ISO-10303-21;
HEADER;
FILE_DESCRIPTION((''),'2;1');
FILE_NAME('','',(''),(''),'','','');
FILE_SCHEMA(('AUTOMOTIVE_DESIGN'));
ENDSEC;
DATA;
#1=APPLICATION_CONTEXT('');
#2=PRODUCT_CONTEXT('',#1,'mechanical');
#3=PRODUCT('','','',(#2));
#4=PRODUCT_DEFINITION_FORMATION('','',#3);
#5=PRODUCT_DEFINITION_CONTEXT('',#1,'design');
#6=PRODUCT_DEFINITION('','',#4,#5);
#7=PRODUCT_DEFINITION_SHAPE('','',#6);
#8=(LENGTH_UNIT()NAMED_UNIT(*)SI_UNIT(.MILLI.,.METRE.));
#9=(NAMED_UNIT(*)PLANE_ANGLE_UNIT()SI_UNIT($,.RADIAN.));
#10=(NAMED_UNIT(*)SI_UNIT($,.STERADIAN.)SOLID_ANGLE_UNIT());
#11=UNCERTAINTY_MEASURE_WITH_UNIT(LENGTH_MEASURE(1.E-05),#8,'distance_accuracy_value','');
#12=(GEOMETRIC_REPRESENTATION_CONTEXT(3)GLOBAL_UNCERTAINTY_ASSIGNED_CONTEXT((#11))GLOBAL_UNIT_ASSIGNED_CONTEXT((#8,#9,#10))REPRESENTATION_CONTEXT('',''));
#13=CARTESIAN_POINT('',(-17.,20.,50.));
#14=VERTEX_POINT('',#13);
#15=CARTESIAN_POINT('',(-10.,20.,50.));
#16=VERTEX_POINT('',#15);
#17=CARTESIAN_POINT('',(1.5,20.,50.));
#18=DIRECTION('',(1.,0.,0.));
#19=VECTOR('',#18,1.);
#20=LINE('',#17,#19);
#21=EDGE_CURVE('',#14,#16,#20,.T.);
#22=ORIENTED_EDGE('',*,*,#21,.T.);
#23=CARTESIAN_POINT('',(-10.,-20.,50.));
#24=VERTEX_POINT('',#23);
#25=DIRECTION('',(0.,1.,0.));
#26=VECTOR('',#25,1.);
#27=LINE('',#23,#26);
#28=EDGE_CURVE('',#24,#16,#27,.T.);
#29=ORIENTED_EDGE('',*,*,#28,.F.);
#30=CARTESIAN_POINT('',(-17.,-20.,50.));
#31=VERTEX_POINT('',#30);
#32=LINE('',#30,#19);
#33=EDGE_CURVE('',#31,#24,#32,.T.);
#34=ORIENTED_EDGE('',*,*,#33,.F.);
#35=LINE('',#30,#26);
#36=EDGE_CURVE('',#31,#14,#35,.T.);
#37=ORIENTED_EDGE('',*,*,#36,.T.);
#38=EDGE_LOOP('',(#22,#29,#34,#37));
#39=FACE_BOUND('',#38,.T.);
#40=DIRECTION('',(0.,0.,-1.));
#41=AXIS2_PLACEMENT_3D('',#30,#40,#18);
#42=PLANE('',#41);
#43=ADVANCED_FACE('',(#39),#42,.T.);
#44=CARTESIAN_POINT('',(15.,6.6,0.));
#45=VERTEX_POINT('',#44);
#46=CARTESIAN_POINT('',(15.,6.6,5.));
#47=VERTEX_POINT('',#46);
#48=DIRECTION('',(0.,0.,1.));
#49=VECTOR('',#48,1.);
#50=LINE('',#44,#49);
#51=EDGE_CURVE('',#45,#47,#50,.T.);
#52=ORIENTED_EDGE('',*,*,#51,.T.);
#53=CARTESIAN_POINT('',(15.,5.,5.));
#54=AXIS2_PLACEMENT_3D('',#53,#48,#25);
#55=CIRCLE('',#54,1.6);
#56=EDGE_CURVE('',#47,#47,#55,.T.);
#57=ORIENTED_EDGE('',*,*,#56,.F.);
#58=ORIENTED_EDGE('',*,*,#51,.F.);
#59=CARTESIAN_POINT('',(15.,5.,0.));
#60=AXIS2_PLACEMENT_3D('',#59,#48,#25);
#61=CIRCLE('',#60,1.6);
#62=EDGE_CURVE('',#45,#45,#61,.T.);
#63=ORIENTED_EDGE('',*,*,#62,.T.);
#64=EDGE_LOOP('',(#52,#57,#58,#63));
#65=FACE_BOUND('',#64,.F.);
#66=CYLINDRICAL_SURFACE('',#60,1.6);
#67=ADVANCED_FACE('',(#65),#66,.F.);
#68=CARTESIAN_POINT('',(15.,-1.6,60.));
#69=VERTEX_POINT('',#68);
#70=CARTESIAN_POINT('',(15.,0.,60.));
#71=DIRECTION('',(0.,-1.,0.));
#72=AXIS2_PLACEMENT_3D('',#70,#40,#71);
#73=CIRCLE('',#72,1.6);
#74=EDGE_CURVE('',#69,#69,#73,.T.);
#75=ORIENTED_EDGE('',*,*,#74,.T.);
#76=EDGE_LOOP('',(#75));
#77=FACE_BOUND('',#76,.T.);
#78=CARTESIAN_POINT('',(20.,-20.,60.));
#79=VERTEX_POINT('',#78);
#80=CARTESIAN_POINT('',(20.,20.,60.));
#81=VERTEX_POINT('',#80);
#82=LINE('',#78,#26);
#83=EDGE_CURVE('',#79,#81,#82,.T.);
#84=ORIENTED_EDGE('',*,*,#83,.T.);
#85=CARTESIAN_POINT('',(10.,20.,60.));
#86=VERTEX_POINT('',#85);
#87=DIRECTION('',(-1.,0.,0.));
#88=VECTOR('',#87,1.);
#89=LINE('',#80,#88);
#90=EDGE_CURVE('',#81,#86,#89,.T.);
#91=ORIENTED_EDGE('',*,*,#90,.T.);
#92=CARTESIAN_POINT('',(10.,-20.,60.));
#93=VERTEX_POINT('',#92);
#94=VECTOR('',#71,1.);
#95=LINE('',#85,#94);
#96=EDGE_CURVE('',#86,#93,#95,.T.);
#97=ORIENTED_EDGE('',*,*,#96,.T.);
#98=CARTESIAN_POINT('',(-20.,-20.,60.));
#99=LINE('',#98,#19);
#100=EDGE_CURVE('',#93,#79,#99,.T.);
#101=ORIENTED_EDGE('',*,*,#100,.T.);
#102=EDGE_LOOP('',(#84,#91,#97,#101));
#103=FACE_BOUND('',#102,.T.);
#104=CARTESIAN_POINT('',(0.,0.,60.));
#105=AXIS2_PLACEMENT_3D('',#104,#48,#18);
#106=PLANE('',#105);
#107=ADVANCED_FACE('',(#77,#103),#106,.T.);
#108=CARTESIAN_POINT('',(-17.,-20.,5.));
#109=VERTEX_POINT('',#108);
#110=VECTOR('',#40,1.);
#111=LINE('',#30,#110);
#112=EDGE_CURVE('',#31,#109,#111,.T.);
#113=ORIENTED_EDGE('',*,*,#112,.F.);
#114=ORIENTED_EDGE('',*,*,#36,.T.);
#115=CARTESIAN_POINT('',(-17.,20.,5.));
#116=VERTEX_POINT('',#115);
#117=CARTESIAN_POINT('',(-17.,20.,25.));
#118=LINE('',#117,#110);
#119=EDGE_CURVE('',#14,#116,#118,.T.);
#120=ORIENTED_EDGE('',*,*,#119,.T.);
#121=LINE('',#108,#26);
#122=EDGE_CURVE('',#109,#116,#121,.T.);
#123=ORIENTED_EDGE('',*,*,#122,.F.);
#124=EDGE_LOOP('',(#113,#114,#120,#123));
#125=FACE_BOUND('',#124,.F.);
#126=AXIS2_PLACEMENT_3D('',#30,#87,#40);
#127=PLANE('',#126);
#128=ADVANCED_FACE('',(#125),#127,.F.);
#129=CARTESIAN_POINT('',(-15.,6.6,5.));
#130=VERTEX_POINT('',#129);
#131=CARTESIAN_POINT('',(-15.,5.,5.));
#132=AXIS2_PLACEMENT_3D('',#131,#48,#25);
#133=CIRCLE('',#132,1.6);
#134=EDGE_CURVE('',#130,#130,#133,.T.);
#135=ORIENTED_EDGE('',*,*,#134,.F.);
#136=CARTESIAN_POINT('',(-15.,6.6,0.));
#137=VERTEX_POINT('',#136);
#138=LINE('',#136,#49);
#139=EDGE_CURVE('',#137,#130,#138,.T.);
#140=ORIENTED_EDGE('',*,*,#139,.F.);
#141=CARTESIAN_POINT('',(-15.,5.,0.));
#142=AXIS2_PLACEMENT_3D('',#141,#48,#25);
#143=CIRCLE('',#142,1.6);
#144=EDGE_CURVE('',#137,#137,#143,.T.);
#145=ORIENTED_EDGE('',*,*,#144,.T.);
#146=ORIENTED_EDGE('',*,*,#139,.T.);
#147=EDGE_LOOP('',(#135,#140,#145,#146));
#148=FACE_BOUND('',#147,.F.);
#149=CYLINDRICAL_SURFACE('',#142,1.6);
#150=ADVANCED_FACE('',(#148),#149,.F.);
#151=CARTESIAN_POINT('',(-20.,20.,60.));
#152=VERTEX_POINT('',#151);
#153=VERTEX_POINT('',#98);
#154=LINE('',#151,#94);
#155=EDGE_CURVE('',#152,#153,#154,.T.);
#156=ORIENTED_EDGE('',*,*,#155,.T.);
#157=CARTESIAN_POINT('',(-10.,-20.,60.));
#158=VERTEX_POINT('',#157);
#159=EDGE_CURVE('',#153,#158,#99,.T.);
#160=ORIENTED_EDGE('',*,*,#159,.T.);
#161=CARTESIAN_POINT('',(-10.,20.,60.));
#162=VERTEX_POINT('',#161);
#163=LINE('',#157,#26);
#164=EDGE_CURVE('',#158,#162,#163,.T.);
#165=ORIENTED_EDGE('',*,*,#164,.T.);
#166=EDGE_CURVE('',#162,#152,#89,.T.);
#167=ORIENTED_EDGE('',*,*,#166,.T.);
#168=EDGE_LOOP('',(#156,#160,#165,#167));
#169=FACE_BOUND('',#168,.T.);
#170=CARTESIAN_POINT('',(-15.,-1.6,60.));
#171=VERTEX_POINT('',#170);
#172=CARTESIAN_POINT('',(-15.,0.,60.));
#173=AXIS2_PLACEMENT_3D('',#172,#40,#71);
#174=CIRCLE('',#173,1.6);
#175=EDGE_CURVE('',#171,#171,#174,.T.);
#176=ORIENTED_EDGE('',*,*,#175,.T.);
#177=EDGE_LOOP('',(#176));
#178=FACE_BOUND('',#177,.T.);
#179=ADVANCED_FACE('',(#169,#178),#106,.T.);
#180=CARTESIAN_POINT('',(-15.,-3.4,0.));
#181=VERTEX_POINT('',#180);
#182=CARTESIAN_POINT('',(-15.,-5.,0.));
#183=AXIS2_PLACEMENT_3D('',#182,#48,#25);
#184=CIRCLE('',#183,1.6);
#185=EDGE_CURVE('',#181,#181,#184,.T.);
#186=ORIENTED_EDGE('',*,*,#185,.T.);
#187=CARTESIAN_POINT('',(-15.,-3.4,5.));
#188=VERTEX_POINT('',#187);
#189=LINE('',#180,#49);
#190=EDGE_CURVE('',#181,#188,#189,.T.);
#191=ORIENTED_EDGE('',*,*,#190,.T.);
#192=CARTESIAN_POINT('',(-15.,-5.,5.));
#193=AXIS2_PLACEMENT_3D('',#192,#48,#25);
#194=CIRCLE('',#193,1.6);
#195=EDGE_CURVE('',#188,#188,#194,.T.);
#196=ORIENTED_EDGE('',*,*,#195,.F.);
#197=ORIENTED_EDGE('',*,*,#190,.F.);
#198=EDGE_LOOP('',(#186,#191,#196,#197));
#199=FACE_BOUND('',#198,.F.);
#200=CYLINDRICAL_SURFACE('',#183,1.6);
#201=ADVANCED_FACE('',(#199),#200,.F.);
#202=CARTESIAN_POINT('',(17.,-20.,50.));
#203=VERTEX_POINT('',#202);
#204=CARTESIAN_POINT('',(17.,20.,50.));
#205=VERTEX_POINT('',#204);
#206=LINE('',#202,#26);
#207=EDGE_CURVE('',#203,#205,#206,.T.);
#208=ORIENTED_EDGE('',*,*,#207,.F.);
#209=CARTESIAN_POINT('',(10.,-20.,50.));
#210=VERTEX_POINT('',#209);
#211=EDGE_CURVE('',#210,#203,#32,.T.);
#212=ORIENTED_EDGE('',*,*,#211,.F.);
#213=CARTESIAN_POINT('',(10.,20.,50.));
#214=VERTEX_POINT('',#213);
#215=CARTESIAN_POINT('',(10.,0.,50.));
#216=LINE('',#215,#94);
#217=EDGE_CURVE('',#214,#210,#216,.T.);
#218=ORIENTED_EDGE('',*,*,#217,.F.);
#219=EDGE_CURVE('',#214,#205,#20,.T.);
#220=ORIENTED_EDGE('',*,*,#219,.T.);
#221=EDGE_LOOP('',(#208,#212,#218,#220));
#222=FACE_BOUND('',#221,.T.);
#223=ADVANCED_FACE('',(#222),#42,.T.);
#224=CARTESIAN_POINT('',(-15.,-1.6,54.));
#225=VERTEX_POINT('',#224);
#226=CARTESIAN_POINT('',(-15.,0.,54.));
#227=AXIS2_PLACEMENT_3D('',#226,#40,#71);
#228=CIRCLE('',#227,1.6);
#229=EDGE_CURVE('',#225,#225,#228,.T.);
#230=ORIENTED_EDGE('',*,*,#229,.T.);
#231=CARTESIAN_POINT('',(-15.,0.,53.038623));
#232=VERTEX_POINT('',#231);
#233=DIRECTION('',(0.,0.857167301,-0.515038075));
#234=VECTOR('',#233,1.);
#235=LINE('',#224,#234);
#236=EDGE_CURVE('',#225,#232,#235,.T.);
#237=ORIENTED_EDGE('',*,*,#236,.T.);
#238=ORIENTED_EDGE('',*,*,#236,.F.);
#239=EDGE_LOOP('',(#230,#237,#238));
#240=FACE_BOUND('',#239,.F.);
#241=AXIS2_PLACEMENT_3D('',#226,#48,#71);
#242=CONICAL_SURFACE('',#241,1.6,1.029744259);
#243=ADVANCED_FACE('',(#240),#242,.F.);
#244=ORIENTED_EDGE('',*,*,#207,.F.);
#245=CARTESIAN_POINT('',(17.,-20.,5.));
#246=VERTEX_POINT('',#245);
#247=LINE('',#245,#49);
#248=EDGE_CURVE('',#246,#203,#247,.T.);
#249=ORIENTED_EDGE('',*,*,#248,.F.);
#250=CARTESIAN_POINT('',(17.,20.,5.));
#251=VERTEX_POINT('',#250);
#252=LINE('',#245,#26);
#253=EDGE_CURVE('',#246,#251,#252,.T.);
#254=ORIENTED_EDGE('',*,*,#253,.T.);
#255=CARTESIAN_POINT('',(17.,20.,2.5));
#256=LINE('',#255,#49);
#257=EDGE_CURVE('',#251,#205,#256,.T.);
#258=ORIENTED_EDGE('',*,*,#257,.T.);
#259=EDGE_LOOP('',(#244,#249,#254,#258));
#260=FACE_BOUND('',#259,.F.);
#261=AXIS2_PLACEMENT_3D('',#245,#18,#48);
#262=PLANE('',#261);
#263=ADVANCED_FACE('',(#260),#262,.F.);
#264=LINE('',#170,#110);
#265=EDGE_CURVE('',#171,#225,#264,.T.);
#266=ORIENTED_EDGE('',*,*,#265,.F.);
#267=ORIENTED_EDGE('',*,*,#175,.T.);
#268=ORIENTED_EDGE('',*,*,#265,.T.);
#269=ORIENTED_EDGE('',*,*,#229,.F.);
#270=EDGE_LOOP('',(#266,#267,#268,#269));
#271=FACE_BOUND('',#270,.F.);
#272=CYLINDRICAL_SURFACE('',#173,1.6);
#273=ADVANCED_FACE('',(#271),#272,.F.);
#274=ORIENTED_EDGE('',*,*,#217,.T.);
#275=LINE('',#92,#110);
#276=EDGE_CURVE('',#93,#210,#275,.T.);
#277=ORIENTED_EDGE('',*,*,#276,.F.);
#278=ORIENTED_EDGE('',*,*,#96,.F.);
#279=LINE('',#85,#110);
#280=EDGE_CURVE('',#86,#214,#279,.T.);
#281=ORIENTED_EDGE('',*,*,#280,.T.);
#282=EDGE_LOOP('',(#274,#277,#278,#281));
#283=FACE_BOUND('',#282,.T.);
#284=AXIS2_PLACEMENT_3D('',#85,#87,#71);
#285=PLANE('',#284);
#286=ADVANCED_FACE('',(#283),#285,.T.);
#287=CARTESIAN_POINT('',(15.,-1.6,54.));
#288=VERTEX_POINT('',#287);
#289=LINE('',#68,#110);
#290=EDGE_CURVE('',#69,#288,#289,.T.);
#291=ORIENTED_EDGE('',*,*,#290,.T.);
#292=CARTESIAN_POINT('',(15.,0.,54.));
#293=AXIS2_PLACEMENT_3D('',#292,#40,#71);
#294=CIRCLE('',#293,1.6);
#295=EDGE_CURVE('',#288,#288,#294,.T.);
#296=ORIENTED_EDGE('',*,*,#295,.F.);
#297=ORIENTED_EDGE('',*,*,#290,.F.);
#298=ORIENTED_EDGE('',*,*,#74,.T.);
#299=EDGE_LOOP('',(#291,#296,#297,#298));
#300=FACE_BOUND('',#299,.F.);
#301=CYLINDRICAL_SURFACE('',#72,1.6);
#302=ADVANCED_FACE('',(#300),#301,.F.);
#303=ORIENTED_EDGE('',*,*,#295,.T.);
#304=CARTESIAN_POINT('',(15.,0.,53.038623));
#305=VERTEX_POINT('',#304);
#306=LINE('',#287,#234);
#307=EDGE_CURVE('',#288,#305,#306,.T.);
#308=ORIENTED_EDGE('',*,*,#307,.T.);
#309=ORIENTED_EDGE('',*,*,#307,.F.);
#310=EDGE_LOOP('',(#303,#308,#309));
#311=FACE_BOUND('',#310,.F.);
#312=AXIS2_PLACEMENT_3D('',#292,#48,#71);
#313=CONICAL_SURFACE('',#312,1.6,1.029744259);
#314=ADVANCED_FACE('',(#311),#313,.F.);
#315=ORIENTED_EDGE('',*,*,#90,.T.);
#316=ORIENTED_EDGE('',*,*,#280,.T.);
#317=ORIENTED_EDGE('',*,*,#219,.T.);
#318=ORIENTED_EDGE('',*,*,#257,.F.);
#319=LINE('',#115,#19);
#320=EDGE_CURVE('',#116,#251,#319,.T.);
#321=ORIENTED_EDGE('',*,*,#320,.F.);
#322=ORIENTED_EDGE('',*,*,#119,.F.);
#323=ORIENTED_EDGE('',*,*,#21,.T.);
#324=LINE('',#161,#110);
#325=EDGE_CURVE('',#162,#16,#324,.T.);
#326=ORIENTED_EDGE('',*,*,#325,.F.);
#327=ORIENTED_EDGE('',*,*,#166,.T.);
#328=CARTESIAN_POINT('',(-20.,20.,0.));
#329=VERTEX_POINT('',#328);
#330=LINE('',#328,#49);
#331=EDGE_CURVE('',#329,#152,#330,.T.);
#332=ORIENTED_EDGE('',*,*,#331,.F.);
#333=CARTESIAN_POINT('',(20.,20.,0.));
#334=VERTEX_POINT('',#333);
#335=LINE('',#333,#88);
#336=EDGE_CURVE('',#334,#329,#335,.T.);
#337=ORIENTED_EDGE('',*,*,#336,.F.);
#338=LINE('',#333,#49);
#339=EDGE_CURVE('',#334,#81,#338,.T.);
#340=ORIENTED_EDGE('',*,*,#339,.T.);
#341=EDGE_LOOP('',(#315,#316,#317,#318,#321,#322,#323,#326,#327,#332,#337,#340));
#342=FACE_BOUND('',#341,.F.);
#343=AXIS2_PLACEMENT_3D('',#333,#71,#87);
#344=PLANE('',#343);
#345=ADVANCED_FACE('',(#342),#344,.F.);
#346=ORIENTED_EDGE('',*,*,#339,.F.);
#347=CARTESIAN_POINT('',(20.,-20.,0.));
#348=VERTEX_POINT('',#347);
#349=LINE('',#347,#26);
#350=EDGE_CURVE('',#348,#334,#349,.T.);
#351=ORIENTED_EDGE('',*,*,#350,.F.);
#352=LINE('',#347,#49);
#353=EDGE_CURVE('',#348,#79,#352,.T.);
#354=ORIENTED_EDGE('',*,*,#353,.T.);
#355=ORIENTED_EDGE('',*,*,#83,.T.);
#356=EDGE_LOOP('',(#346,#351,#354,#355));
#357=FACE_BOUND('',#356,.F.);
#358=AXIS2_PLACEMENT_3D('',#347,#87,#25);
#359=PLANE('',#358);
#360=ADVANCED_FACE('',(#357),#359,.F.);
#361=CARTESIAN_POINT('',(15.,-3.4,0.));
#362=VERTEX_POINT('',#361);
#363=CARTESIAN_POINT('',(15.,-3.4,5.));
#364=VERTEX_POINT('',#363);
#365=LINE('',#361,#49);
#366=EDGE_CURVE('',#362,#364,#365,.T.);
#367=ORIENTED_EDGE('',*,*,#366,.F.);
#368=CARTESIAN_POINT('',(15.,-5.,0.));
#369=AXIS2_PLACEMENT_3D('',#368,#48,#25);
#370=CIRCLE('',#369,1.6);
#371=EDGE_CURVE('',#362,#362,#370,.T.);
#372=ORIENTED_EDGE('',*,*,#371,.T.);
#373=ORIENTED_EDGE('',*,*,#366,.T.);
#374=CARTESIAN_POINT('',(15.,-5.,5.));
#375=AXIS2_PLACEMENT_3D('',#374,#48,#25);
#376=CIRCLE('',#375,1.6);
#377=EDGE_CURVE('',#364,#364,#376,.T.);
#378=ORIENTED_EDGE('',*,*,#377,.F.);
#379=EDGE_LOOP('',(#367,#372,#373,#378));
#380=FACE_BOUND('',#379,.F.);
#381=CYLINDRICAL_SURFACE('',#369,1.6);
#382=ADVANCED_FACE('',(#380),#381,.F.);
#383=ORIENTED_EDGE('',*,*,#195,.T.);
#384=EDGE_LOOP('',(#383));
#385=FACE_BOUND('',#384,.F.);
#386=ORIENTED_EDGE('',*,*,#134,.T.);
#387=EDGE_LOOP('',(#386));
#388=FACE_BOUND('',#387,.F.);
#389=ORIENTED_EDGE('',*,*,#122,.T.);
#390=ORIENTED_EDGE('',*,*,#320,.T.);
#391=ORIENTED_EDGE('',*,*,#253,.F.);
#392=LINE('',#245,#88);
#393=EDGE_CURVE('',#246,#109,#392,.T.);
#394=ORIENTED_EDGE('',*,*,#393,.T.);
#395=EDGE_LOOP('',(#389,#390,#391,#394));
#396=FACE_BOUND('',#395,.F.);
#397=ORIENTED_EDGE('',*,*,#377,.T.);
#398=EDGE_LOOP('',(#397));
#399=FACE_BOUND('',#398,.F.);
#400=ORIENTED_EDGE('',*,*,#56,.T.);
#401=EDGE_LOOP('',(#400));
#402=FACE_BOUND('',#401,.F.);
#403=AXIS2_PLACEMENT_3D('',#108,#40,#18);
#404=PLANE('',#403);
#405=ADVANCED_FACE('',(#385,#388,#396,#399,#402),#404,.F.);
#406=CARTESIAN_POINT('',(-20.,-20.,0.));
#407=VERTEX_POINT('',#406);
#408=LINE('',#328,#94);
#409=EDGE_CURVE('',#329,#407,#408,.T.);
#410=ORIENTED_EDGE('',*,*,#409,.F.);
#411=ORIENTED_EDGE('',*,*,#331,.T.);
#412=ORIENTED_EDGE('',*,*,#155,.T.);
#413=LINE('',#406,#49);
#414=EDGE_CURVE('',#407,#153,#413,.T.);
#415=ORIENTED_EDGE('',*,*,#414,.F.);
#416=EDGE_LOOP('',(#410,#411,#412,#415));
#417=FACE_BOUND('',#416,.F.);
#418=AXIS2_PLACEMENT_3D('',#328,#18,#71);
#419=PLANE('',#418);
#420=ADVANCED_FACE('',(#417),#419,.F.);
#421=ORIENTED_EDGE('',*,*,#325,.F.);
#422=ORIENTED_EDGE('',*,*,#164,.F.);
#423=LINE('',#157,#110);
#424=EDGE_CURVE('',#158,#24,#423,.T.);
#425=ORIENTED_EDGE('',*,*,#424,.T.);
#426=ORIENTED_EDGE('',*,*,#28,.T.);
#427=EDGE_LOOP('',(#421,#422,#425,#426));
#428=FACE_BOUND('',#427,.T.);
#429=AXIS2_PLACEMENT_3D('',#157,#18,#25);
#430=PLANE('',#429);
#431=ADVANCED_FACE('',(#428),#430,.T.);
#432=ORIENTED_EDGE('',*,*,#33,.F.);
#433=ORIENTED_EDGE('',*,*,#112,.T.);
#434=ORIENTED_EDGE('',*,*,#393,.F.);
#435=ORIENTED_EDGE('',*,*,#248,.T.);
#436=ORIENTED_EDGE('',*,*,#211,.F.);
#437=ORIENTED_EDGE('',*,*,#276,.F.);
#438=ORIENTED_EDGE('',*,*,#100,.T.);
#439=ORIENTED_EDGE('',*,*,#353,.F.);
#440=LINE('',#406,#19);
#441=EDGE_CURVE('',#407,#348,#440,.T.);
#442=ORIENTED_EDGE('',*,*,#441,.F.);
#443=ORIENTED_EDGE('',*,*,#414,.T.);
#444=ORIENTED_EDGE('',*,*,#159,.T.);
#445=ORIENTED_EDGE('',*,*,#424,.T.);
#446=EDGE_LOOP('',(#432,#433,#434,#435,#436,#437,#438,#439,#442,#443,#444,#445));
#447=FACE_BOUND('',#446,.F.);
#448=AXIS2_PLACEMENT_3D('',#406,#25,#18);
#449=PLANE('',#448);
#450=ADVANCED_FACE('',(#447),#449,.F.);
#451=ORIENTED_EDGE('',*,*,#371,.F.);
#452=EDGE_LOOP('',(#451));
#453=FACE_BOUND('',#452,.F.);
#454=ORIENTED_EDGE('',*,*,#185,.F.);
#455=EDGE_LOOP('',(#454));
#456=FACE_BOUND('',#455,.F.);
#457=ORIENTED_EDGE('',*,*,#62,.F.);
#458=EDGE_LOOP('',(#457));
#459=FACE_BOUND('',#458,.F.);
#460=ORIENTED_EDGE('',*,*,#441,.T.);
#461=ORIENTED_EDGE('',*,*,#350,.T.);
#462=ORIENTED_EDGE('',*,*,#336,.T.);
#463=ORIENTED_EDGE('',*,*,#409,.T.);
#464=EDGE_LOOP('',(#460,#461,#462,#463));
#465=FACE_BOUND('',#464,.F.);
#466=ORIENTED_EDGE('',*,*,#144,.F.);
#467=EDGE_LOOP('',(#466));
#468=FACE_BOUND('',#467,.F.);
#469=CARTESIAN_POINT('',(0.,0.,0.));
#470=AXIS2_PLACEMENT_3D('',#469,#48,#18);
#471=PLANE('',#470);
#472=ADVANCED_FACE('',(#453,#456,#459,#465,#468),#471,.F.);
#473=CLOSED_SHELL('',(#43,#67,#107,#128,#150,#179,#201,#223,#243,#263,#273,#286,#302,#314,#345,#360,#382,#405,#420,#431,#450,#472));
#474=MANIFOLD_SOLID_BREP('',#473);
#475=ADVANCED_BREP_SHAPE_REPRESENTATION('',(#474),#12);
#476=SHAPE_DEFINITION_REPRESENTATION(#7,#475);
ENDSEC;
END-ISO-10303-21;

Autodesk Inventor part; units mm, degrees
ref_plane "YZ Plane" through (0, 0, 0) normal (1, 0, 0) x (0, 1, 0)
ref_plane "XZ Plane" through (0, 0, 0) normal (0, 1, 0) x (-1, 0, 0)
ref_plane "XY Plane" through (0, 0, 0) normal (0, 0, 1) x (1, 0, 0)
sketch "スケッチ1" plane through (0, 0, 0) normal (0, 0, 1) x (1, 0, 0)
  line L0 (-20, -20) -> (20, -20)
  line L1 (20, -20) -> (20, 20)
  line L2 (20, 20) -> (-20, 20)
  line L3 (-20, 20) -> (-20, -20)
  line L4 (-20, -20) -> (20, 20) construction
  line L5 (20, -20) -> (-20, 20) construction
  point P0 (0, 0)
  dimension "d0" = 40
  dimension "d1" = 40
extrude "押し出し1" add sketch "スケッチ1" along normal blind 60
sketch "スケッチ2" plane through (0, 0, 60) normal (0, 0, 1) x (1, 0, 0)
  line L0 (20, 20) -> (-20, 20) projected
  line L1 (10, -20) -> (-10, -20)
  line L2 (-10, -20) -> (-10, 20)
  line L3 (-10, 20) -> (10, 20)
  line L4 (10, 20) -> (10, -20)
  line L5 (10, -20) -> (-10, 20) construction
  line L6 (-10, -20) -> (10, 20) construction
  point P0 (0, 0)
  dimension "d4" = 20
extrude "押し出し2" cut sketch "スケッチ2" against normal blind 55
sketch "スケッチ4" plane through (0, 0, 60) normal (0, 0, 1) x (1, 0, 0)
  point P0 (0, 0)
  point P1 (-15, 0)
  point P2 (15, 0)
  dimension "d7" = 15
  dimension "d8" = 15
hole "穴1" at (-15, 0, 60) at (15, 0, 60) direction (0, 0, -1) diameter 3.2 depth 6 tip angle 118
sketch "スケッチ5" plane through (-20, -20, 0) normal (0, -1, 0) x (1, 0, 0)
  line L0 (0, 60) -> (10, 60) projected
  line L1 (30, 60) -> (40, 60) projected
  line L2 (3, 50) -> (37, 50)
  line L3 (3, 50) -> (3, 5)
  line L4 (3, 5) -> (37, 5)
  line L5 (37, 5) -> (37, 50)
  line L6 (0, 0) -> (0, 60) projected
  line L7 (40, 0) -> (40, 60) projected
  point P0 (20, 0)
  dimension "d16" = 10
  dimension "d17" = 10
  dimension "d20" = 3
  dimension "d21" = 3
extrude "押し出し3" cut sketch "スケッチ5" against normal blind 55
sketch "スケッチ7" plane through (0, 0, 0) normal (0, 0, -1) x (-1, 0, 0)
  point P0 (0, 0)
  point P1 (15, -5)
  point P2 (15, 5)
  point P3 (-15, 5)
  point P4 (-15, -5)
  dimension "d37" = 15
  dimension "d38" = 5
  dimension "d39" = 5
  dimension "d40" = 15
  dimension "d41" = 5
  dimension "d42" = 15
  dimension "d43" = 5
  dimension "d44" = 15
hole "穴3" at (-15, -5, 0) at (-15, 5, 0) at (15, 5, 0) at (15, -5, 0) direction (0, 0, 1) diameter 3.2 depth 8.8 tip angle 118
properties part number "20220703_Fan Fixed"
